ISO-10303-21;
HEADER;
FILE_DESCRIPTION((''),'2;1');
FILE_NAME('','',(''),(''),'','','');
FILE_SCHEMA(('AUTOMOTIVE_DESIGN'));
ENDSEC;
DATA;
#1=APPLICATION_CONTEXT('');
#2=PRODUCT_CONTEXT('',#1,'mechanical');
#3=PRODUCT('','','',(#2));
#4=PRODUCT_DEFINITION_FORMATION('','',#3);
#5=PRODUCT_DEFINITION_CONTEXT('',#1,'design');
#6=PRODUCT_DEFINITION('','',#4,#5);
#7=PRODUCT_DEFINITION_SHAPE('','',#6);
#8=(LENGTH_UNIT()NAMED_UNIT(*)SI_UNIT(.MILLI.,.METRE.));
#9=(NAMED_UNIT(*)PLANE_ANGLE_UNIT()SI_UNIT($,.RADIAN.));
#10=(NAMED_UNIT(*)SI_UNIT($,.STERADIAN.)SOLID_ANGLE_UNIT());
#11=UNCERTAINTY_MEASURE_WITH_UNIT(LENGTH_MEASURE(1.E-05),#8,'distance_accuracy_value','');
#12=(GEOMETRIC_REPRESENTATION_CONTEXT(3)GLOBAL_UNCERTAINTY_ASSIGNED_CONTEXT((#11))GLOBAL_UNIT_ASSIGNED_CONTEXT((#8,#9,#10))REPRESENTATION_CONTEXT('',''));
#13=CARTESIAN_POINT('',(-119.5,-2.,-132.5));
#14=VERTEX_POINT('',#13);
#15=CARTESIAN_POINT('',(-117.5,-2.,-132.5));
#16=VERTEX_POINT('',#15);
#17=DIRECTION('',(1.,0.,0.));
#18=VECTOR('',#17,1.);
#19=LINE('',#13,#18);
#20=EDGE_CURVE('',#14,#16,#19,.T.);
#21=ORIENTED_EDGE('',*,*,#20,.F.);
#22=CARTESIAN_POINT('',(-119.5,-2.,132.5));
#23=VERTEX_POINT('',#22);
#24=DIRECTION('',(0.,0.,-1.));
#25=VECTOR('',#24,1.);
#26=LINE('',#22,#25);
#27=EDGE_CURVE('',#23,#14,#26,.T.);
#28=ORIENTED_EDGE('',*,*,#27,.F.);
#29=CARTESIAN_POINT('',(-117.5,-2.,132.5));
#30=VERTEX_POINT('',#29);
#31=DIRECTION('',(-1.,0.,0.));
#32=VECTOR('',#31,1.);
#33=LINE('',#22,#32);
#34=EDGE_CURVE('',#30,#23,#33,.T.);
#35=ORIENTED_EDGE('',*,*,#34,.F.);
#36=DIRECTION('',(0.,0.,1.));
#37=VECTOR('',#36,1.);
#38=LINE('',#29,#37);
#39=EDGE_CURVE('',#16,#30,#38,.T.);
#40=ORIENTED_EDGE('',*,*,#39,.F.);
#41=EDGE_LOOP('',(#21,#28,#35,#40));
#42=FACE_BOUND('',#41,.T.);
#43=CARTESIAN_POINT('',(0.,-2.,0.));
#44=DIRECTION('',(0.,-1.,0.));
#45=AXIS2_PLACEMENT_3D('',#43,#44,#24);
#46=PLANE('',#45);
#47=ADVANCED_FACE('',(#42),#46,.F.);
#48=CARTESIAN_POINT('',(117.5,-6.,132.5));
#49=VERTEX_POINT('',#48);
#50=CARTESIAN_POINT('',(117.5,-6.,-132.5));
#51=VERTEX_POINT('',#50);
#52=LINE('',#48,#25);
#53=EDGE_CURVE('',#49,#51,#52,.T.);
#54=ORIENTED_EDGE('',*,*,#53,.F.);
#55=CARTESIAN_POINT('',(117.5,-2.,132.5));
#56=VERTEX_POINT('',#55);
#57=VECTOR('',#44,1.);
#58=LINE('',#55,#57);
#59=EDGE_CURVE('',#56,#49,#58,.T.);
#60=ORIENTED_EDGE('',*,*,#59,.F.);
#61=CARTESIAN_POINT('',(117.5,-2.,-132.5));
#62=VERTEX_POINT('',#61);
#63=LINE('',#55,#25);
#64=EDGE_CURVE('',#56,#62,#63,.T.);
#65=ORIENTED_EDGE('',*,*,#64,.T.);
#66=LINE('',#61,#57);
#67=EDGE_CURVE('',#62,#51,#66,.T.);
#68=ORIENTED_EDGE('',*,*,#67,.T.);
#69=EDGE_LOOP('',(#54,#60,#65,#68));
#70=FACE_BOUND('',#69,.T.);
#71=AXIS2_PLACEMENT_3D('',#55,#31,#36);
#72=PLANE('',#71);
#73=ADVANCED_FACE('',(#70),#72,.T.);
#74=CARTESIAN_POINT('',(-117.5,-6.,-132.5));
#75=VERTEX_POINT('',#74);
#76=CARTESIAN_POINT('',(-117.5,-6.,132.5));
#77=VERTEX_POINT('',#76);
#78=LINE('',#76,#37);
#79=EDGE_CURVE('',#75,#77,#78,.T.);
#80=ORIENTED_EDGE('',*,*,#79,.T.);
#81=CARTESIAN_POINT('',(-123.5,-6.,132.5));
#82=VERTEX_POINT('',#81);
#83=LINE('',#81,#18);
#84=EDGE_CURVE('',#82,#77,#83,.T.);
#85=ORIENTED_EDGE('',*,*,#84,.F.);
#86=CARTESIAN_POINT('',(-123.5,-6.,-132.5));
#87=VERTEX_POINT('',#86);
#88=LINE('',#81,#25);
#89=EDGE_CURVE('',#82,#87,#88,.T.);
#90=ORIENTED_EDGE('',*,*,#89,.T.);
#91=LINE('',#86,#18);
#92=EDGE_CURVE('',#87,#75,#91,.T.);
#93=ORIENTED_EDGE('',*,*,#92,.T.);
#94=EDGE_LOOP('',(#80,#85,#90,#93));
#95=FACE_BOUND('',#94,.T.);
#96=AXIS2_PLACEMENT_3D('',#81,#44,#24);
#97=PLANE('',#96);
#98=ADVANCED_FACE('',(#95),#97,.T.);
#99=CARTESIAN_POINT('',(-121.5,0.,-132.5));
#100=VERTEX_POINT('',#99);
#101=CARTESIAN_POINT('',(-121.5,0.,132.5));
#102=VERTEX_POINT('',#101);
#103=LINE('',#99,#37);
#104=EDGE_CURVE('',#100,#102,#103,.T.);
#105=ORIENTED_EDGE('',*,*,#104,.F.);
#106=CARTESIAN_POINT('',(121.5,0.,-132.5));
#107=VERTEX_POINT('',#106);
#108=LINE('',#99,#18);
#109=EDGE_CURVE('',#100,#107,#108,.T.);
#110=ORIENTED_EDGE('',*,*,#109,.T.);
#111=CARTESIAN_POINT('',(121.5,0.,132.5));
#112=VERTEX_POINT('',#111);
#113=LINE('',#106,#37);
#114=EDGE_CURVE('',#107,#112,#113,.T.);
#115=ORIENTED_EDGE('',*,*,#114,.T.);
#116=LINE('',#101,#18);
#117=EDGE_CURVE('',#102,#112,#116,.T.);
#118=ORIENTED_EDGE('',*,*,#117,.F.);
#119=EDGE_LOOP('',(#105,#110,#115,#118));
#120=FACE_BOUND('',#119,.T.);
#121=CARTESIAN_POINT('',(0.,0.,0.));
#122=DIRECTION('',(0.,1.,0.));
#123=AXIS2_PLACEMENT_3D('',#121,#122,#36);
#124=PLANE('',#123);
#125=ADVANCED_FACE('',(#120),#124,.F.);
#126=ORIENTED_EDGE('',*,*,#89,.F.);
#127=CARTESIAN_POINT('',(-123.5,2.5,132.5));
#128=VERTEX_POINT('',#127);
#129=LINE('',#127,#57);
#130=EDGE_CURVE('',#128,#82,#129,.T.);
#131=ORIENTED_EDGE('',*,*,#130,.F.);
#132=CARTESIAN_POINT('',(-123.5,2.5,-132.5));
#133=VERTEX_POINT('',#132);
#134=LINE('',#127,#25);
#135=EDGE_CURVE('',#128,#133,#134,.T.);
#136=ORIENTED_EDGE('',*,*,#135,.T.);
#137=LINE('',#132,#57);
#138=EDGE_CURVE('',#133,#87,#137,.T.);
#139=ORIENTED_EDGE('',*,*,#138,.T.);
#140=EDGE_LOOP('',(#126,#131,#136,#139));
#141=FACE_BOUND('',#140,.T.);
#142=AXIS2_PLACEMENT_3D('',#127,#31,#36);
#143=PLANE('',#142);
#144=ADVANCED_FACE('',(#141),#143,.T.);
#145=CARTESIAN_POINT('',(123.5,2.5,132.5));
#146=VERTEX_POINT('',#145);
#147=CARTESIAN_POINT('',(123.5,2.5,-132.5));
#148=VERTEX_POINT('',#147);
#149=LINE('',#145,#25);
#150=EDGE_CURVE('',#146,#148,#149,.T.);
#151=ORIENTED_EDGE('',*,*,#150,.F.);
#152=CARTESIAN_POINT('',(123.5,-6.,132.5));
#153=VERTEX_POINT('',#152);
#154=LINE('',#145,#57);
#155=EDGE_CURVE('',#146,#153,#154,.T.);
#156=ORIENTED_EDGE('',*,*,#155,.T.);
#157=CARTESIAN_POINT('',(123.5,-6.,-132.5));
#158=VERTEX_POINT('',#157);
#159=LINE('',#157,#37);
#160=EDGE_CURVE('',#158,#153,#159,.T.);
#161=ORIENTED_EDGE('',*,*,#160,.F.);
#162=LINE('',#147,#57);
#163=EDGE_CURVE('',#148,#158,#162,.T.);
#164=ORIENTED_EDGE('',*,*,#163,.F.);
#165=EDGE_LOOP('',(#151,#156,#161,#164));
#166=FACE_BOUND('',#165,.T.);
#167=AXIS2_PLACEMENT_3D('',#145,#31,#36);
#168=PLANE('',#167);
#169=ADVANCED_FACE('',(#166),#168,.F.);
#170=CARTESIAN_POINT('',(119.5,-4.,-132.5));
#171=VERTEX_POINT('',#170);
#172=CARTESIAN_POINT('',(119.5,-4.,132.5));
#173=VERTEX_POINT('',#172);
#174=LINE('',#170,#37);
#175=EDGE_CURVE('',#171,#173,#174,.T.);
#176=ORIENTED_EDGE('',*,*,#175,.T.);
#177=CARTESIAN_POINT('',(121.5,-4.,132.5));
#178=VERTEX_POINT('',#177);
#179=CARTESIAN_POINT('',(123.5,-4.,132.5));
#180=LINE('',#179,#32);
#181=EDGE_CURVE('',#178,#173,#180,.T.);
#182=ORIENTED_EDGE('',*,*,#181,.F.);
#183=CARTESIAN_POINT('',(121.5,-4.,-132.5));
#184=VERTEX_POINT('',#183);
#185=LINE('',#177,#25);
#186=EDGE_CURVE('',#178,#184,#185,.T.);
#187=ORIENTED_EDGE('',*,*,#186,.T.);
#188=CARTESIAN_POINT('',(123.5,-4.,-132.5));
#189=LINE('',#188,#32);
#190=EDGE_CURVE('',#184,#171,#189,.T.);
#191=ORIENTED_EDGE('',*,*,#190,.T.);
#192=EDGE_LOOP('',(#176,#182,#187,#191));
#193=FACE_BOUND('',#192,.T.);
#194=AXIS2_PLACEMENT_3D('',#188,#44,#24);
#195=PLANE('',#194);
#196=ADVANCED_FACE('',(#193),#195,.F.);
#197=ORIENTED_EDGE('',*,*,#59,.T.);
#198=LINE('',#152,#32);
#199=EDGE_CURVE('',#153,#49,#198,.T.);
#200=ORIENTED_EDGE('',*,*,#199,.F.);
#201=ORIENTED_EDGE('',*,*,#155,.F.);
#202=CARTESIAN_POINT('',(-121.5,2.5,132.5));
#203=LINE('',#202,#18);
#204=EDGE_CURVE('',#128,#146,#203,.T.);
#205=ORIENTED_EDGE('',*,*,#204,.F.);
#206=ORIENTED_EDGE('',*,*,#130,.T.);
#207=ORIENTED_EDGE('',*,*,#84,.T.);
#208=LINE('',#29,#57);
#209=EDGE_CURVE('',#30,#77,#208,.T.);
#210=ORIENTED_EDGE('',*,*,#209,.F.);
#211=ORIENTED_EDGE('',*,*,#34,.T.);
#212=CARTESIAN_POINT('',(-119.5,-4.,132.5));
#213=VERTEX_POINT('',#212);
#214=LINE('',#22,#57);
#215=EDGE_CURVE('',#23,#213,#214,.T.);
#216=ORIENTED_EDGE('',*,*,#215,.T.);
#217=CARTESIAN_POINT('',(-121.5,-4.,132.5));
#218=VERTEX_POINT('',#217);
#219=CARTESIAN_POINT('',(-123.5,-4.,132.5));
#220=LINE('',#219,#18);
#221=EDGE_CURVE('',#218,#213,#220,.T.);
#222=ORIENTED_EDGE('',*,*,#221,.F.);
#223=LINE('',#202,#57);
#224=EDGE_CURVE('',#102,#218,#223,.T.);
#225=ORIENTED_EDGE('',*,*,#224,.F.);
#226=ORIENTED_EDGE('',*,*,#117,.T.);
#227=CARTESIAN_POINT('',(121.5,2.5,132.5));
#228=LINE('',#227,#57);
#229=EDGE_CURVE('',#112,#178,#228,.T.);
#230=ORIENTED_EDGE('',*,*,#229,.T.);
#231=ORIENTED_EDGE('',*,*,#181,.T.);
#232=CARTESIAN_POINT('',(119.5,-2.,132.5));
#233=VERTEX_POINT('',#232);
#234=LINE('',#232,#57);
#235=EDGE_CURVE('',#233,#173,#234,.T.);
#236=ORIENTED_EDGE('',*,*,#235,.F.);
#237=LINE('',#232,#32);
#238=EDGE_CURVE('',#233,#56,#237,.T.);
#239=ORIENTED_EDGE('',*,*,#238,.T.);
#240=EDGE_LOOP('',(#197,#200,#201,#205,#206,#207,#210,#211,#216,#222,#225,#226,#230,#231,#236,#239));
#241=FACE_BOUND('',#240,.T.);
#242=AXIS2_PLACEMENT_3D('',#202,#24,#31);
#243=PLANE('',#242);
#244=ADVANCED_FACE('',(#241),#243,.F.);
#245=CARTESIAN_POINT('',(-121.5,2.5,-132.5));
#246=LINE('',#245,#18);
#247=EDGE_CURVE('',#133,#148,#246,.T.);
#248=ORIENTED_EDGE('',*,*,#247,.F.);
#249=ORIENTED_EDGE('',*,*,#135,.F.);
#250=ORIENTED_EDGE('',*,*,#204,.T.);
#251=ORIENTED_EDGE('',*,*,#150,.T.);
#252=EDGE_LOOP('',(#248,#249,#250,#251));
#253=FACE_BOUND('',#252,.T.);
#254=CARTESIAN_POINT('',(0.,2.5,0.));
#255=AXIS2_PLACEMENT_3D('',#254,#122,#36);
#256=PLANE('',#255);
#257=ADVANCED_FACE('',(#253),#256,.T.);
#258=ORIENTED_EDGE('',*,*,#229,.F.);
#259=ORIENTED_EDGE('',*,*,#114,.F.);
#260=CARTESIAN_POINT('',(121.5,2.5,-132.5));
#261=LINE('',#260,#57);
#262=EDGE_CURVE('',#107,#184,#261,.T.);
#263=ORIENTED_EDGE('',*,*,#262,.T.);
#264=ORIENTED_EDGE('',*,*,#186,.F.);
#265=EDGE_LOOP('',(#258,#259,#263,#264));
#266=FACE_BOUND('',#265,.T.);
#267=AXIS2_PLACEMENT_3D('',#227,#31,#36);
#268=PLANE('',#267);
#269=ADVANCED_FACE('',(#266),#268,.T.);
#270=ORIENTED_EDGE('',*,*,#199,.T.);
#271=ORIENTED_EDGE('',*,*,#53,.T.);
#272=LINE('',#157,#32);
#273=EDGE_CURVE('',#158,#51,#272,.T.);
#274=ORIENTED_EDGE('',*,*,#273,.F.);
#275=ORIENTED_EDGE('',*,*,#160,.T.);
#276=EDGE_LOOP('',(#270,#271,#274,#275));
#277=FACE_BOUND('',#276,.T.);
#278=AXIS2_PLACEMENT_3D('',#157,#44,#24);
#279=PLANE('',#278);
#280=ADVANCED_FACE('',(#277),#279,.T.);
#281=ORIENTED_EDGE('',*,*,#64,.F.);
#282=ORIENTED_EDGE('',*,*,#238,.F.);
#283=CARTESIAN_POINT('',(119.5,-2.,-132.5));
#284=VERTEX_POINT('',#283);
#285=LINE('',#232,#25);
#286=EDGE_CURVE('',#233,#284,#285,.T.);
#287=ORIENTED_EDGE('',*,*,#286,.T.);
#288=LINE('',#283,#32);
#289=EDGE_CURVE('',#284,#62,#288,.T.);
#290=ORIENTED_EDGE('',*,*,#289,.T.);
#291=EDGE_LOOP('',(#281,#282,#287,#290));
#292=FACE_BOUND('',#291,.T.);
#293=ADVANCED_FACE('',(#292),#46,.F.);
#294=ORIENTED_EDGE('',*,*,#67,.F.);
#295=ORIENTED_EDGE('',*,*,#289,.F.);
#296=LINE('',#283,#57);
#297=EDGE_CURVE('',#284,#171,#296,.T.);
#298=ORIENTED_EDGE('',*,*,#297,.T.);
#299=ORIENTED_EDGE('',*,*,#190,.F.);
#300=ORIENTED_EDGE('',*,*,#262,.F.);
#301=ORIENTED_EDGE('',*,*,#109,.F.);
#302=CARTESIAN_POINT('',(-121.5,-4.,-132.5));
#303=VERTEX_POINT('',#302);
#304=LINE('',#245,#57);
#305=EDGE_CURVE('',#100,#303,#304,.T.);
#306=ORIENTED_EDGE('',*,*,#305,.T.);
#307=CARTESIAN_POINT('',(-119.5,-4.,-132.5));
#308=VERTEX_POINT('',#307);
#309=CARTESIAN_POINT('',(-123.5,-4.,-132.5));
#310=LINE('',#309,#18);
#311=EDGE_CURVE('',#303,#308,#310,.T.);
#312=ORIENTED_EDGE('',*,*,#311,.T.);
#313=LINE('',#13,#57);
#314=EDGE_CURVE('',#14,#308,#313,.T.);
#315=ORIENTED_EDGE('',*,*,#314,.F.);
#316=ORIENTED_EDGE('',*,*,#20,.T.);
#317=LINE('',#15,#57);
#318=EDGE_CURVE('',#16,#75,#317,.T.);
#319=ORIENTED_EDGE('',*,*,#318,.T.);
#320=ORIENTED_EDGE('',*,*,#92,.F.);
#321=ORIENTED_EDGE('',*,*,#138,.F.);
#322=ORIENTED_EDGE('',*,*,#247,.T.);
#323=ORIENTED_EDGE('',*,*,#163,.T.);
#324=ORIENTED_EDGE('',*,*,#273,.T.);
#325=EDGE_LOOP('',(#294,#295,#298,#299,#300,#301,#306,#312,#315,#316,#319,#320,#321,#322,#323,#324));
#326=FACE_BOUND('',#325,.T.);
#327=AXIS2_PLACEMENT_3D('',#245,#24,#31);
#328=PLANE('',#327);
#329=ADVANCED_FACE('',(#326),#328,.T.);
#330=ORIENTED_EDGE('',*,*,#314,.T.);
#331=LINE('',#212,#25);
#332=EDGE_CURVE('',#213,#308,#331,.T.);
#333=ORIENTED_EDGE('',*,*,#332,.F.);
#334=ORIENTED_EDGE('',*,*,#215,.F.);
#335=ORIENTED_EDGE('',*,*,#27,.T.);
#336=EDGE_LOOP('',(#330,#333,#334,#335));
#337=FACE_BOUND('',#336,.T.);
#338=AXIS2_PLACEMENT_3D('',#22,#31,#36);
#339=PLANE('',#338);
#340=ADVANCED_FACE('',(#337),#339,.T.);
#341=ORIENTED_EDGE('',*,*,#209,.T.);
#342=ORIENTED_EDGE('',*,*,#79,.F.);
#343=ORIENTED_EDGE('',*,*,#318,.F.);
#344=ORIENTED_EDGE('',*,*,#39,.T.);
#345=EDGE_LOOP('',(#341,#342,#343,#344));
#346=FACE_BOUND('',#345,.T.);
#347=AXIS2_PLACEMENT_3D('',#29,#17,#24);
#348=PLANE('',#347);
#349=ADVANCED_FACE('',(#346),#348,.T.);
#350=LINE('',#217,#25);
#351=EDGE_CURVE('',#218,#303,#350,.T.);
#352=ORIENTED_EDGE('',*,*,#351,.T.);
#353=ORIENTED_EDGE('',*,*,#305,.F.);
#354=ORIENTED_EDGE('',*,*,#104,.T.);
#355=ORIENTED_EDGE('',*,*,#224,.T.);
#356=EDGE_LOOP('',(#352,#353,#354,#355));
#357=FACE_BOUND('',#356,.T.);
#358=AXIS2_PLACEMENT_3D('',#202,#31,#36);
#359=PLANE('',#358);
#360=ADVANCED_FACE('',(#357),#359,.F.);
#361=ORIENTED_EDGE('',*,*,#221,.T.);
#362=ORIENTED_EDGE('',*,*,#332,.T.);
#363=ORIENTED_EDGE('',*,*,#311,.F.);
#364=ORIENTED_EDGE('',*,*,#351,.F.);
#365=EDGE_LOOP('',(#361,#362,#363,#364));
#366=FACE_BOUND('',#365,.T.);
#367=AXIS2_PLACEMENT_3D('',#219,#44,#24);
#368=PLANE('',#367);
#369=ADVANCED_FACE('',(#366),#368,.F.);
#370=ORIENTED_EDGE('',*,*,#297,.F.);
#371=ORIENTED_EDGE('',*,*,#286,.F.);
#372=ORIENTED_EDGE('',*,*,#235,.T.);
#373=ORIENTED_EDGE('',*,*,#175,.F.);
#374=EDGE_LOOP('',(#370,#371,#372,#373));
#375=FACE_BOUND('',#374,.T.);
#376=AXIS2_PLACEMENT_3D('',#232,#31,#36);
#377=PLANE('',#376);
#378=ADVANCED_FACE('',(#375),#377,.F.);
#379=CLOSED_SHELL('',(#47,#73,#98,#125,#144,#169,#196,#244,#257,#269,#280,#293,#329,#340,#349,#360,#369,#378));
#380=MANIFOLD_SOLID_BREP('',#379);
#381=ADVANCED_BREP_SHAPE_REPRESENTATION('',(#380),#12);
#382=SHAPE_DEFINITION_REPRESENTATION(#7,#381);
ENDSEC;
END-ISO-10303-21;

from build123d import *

# Parameters (mm, degrees)
SKETCH2_W                = 243
SKETCH2_H                = 265
BOSS_EXTRUDE1_DEPTH      = 2.5
BOSS_EXTRUDE2_DEPTH      = 4
BOSS_EXTRUDE2_DEPTH_BACK = 2.5
SKETCH3_W                = 2
SKETCH3_H                = 265
BOSS_EXTRUDE3_DEPTH      = 4
BOSS_EXTRUDE3_DEPTH_BACK = 2.5
SKETCH4_W                = 2
SKETCH4_H                = 265
BOSS_EXTRUDE4_DEPTH      = 2
BOSS_EXTRUDE4_DEPTH_BACK = 2
SKETCH5_W                = 265
SKETCH5_H                = 2
BOSS_EXTRUDE5_DEPTH      = 2
BOSS_EXTRUDE5_DEPTH_BACK = 2
SKETCH6_W                = 265
SKETCH6_H                = 2
SKETCH7_W                = 2
SKETCH7_H                = 265
BOSS_EXTRUDE7_DEPTH      = 4
SKETCH8_W                = 2
SKETCH8_H                = 265
BOSS_EXTRUDE8_DEPTH      = 4


with BuildPart() as part:
    # Sketch2 → Boss-Extrude1 (new body)
    with BuildSketch(Plane(origin=(0, 0, 0), x_dir=(1, 0, 0), z_dir=(0, 1, 0))):
        Rectangle(SKETCH2_W, SKETCH2_H)
    extrude(amount=BOSS_EXTRUDE1_DEPTH)

    # Sketch3 → Boss-Extrude2 (add, two sides: drawn at the far end of the back side and taken through both)
    with BuildSketch(Plane.XZ.offset(-BOSS_EXTRUDE2_DEPTH_BACK)):
        with Locations((122.5, 0)):
            Rectangle(SKETCH3_W, SKETCH3_H)
    extrude(amount=BOSS_EXTRUDE2_DEPTH + BOSS_EXTRUDE2_DEPTH_BACK)

    # Sketch4 → Boss-Extrude3 (add, two sides: drawn at the far end of the back side and taken through both)
    with BuildSketch(Plane.XZ.offset(-BOSS_EXTRUDE3_DEPTH_BACK)):
        with Locations((-122.5, 0)):
            Rectangle(SKETCH4_W, SKETCH4_H)
    extrude(amount=BOSS_EXTRUDE3_DEPTH + BOSS_EXTRUDE3_DEPTH_BACK)

    # Sketch5 → Boss-Extrude4 (add, two sides: drawn at the far end of the back side and taken through both)
    with BuildSketch(Plane(origin=(-121.5, 0, 0), x_dir=(0, 0, -1), z_dir=(1, 0, 0)).offset(-BOSS_EXTRUDE4_DEPTH_BACK)):
        with Locations((0, -5)):
            Rectangle(SKETCH5_W, SKETCH5_H)
    extrude(amount=BOSS_EXTRUDE4_DEPTH + BOSS_EXTRUDE4_DEPTH_BACK)

    # Sketch6 → Boss-Extrude5 (add, two sides: drawn at the far end of the back side and taken through both)
    with BuildSketch(Plane.ZY.offset(-121.5).offset(-BOSS_EXTRUDE5_DEPTH_BACK)):
        with Locations((0, -5)):
            Rectangle(SKETCH6_W, SKETCH6_H)
    extrude(amount=BOSS_EXTRUDE5_DEPTH + BOSS_EXTRUDE5_DEPTH_BACK)

    # Sketch7 → Boss-Extrude7 (add)
    with BuildSketch(Plane.XZ.offset(6)):
        with Locations((118.5, 0)):
            Rectangle(SKETCH7_W, SKETCH7_H)
    extrude(amount=-BOSS_EXTRUDE7_DEPTH)

    # Sketch8 → Boss-Extrude8 (add)
    with BuildSketch(Plane.XZ.offset(6)):
        with Locations((-118.5, 0)):
            Rectangle(SKETCH8_W, SKETCH8_H)
    extrude(amount=-BOSS_EXTRUDE8_DEPTH)


solid = part.part
